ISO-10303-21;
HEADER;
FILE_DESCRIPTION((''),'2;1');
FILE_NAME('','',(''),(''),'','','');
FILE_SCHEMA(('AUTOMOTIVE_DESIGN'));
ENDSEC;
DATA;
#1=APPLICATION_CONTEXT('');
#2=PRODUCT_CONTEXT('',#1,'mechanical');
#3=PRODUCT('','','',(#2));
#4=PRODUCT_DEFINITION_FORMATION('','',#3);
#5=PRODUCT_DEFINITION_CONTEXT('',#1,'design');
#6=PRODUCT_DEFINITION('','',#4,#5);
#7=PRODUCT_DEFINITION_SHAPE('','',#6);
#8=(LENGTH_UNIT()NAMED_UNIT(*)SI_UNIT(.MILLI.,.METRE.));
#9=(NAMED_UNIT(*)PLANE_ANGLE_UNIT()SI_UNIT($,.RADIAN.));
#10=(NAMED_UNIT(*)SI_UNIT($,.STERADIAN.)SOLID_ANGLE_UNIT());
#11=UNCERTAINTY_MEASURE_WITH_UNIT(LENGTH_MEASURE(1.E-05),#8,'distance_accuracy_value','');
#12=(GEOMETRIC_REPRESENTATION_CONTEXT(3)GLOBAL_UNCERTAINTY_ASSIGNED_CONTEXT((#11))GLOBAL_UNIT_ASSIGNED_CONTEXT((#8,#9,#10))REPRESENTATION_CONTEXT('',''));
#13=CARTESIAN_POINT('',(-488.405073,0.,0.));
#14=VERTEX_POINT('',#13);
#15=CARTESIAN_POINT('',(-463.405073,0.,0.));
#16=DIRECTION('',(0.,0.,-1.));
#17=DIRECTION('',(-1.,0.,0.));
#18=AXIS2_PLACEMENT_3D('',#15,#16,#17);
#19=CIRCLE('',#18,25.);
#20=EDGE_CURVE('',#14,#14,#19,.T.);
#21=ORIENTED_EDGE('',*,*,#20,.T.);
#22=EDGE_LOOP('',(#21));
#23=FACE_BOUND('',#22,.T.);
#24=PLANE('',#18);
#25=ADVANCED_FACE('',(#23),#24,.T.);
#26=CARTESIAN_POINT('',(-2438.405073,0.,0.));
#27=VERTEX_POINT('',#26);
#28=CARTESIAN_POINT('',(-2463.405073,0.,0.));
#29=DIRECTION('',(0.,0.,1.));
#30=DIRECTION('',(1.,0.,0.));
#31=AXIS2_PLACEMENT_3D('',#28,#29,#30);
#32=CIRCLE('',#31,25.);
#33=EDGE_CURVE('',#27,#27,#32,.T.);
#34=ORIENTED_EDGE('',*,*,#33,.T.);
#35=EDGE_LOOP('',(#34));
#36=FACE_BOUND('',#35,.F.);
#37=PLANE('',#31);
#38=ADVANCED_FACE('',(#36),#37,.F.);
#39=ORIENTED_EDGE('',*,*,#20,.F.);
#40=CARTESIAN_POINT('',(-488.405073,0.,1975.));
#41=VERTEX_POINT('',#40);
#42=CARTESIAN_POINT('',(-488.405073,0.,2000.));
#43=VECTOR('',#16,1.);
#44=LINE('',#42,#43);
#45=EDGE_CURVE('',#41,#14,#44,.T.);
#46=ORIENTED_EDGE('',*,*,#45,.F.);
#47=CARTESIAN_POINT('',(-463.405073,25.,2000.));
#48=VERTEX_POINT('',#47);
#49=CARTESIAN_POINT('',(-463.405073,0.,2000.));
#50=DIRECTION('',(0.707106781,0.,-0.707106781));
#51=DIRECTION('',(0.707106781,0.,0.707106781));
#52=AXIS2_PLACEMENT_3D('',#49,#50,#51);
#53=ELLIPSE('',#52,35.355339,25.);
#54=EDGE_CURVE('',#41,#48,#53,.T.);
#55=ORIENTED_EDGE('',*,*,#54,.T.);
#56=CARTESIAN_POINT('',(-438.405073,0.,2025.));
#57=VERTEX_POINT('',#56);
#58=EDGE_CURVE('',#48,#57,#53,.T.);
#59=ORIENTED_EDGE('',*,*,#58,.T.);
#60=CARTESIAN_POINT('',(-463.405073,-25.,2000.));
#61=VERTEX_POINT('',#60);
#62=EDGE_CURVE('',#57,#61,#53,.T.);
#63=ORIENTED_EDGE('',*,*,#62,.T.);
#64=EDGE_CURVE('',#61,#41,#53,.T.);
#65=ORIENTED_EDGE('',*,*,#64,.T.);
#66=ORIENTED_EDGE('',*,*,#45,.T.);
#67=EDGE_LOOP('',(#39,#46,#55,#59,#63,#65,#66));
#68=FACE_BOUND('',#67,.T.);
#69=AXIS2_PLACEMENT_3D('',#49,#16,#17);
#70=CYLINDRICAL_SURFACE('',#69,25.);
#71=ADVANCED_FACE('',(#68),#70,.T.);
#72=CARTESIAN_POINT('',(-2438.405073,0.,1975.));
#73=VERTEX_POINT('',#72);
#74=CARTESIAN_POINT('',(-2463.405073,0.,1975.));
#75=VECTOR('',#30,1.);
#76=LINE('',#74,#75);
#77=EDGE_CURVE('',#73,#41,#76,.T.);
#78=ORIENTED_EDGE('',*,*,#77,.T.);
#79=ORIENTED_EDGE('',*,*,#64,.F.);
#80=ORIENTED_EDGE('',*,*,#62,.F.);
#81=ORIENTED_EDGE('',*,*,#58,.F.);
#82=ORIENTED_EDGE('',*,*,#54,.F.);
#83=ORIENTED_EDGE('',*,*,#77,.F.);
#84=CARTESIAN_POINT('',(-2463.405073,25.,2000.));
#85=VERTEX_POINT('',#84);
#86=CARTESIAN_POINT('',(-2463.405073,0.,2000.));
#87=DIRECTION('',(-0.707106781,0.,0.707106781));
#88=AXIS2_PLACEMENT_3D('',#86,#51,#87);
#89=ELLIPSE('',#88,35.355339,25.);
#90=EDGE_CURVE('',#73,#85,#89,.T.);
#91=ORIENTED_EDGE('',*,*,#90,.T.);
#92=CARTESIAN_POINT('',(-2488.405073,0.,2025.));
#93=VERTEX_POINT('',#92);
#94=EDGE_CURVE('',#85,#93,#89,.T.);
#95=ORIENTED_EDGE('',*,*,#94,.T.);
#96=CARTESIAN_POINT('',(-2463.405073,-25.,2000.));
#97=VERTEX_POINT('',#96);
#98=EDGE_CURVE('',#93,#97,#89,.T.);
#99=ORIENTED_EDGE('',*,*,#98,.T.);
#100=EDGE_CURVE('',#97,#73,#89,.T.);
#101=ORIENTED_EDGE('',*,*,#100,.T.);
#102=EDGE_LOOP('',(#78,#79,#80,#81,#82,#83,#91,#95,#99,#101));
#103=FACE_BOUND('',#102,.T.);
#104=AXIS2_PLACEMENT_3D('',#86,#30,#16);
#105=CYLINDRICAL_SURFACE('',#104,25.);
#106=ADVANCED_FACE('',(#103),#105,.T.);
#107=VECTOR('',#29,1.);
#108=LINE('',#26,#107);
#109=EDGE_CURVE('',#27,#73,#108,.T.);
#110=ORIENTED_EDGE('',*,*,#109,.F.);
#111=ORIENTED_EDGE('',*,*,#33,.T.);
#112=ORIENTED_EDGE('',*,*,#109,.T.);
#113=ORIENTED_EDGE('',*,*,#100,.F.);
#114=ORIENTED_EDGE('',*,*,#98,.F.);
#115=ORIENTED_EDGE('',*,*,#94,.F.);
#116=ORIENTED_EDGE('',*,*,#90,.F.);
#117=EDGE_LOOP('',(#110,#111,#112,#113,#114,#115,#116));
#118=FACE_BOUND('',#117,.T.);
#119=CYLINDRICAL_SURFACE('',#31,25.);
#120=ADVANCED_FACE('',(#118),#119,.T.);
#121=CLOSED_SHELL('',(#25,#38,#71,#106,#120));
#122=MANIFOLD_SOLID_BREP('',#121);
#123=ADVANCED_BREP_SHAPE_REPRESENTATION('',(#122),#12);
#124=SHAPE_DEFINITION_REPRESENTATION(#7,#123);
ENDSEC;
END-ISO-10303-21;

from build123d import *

# Parameters (mm, degrees)
F3_R = 25


with BuildPart() as f4:
    # F4: sweep along a path in F2
    with BuildLine(Plane.XZ) as f4_path:
        Line((-2463.4050726811, 0), (-2463.4050726811, 1999.999999992))
        Line((-2463.4050726811, 1999.999999992), (-463.4050726891, 1999.999999992))
        Line((-463.4050726891, 1999.999999992), (-463.4050726891, 0))
    # F3 (on Top) → F4 (sweep)
    with BuildSketch(Plane.XY):
        with Locations((-2463.4050726811, 0)):
            Circle(F3_R)
    sweep(path=f4_path.line, transition=Transition.RIGHT)


solid = f4.part
